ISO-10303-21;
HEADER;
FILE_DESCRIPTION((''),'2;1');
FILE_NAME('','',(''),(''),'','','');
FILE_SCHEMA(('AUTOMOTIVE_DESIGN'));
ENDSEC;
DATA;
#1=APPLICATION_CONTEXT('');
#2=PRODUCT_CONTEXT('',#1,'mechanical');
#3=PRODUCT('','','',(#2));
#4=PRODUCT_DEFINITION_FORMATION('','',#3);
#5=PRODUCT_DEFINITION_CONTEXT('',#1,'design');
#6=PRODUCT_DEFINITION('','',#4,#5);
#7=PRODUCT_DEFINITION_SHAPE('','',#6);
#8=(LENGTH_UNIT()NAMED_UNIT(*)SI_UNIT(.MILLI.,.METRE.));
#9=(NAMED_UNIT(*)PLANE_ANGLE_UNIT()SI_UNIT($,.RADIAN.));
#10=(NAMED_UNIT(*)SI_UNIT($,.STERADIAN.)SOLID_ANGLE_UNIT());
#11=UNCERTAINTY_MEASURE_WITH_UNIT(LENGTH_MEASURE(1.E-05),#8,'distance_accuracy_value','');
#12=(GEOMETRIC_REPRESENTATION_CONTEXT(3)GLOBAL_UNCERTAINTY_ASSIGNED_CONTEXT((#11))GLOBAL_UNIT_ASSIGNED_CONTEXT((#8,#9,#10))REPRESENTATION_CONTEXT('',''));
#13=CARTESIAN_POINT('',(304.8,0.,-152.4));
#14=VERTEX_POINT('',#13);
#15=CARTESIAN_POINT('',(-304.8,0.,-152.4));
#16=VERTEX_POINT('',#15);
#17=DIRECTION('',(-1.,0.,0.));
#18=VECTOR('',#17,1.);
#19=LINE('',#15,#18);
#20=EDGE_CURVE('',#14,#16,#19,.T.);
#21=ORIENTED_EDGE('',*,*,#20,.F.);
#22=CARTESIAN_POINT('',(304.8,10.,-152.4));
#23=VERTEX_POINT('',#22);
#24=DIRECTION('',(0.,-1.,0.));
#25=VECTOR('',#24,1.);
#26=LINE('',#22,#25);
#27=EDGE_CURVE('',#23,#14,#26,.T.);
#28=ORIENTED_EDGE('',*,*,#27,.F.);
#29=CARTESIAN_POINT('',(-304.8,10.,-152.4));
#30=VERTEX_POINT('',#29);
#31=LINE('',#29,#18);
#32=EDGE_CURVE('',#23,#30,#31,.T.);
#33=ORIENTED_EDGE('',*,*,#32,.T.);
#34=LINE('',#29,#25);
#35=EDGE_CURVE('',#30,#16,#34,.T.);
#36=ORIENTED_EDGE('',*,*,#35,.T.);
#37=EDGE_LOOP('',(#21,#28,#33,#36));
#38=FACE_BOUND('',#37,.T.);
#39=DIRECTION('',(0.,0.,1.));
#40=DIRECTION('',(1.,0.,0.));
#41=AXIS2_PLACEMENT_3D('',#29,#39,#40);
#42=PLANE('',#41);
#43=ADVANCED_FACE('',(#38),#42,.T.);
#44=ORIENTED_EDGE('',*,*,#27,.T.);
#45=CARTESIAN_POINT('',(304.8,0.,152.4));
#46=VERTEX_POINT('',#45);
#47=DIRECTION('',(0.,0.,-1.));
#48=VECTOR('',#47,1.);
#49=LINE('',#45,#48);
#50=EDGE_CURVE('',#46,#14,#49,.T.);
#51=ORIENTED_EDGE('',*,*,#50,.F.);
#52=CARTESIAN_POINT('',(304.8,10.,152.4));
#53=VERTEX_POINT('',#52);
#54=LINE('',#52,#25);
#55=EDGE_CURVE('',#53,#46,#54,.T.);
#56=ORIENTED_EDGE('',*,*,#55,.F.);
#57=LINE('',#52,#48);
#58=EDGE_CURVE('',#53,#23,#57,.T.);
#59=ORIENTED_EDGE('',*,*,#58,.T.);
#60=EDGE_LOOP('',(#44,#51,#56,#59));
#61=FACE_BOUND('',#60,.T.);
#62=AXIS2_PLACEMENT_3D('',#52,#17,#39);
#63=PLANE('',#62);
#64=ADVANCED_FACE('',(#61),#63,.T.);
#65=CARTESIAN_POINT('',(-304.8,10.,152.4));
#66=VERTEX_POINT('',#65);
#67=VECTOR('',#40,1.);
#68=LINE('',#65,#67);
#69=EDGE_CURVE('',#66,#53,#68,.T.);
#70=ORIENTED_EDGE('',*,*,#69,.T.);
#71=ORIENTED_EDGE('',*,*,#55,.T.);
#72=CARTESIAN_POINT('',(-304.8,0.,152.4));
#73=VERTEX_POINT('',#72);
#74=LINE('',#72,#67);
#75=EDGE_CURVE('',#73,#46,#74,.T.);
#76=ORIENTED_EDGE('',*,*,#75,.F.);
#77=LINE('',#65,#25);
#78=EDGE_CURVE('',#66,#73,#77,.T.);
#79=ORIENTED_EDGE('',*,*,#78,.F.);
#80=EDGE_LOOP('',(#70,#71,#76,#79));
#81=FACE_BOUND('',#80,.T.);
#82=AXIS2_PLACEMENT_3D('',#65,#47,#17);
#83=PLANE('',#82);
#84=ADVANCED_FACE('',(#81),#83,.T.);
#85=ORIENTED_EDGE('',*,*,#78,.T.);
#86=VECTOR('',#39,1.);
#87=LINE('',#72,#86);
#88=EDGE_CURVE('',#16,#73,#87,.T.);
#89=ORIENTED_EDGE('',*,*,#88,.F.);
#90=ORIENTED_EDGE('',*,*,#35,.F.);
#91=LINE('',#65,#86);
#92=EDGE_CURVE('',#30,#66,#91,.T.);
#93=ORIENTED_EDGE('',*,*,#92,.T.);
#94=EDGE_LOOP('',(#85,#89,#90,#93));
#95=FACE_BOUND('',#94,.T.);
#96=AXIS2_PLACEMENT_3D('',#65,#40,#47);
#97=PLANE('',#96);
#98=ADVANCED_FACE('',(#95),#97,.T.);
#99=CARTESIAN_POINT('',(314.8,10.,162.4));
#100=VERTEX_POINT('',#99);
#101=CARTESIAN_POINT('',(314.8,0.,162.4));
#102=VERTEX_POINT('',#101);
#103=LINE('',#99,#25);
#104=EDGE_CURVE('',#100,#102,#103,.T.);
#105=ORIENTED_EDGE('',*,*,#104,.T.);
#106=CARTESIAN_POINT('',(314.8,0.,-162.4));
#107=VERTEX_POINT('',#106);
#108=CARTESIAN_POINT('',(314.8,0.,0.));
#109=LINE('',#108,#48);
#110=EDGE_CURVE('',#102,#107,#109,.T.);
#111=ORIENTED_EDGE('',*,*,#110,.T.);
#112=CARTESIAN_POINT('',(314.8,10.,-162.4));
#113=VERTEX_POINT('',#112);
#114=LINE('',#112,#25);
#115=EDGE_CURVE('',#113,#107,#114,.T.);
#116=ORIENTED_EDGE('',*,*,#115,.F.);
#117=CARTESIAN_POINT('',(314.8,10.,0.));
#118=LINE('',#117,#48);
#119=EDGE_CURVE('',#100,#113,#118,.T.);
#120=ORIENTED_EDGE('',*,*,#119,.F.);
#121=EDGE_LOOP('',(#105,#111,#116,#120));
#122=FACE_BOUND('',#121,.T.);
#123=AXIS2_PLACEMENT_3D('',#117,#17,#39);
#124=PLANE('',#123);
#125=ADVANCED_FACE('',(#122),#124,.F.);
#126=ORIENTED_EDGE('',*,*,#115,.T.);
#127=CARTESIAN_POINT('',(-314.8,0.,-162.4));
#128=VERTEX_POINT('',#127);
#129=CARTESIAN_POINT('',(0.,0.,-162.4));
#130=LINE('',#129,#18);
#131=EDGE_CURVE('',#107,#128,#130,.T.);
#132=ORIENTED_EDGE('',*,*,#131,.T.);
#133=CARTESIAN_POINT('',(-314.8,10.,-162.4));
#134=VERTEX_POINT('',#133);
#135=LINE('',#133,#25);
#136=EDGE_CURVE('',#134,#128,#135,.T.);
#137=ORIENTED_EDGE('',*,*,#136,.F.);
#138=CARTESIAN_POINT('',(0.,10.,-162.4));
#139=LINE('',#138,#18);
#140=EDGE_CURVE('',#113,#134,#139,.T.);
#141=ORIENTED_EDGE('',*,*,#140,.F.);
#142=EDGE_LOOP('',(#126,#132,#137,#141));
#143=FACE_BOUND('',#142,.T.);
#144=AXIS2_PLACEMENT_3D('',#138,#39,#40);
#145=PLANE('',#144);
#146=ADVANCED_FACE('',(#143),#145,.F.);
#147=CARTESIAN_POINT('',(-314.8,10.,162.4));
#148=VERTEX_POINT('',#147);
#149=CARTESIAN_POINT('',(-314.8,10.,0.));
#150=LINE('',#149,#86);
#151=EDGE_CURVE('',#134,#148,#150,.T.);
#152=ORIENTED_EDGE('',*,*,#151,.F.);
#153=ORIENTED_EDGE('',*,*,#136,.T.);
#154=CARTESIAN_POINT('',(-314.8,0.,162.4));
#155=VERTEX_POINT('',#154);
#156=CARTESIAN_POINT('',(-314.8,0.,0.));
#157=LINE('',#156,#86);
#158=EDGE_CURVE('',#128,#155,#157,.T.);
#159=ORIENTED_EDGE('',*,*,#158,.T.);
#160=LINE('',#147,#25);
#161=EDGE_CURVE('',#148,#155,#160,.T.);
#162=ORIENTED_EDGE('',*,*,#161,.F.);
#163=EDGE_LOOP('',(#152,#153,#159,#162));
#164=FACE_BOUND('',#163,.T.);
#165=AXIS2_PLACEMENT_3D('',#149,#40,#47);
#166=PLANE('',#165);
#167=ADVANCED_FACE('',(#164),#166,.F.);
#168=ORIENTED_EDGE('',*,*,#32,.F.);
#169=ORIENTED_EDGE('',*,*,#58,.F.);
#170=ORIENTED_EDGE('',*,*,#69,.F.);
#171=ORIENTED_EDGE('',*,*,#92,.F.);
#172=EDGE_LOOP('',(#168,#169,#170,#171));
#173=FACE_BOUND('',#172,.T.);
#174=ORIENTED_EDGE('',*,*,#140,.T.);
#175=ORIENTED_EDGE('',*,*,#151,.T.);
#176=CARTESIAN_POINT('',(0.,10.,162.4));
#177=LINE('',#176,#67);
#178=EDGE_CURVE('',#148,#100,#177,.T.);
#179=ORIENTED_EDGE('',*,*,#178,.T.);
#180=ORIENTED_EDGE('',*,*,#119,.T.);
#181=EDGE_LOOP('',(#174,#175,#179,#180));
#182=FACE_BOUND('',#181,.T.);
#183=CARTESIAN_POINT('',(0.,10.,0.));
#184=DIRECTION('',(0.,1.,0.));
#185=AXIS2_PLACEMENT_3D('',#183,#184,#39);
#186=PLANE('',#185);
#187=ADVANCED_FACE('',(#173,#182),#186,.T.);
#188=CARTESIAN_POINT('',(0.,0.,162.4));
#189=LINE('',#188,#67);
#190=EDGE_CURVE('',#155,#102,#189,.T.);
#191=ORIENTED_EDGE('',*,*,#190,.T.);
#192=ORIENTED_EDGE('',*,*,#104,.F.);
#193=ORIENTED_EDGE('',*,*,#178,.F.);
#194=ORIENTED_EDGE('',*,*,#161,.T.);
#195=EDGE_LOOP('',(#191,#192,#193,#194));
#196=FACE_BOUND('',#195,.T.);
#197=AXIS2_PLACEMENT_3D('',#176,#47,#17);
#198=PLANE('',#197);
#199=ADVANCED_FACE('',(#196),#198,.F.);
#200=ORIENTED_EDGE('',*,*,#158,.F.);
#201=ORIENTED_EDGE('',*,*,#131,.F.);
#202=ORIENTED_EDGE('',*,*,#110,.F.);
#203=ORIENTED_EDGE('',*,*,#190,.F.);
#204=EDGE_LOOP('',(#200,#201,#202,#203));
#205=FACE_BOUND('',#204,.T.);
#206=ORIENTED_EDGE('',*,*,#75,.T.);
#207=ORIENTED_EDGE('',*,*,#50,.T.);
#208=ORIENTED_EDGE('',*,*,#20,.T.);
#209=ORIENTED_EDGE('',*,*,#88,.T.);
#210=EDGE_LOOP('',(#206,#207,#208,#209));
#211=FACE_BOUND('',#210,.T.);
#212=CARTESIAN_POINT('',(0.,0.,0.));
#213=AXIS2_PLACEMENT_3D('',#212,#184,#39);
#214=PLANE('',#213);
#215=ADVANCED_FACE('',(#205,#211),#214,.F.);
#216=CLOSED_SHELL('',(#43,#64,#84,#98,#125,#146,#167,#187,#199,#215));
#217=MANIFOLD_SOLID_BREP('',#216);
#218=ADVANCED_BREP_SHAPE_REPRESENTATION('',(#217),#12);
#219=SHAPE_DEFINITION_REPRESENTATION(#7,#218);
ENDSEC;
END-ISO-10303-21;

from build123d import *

# Parameters (mm, degrees)
SKETCH2_W           = 629.6
SKETCH2_H           = 324.8
SKETCH2_W_2         = 609.6
SKETCH2_H_2         = 304.8
EXTRUDE_THIN1_DEPTH = 10


with BuildPart() as part:
    # Sketch2 → Extrude-Thin1 (new body)
    with BuildSketch(Plane(origin=(0, 0, 0), x_dir=(1, 0, 0), z_dir=(0, 1, 0))):
        Rectangle(SKETCH2_W, SKETCH2_H)
        Rectangle(SKETCH2_W_2, SKETCH2_H_2, mode=Mode.SUBTRACT)
    extrude(amount=EXTRUDE_THIN1_DEPTH)


solid = part.part
